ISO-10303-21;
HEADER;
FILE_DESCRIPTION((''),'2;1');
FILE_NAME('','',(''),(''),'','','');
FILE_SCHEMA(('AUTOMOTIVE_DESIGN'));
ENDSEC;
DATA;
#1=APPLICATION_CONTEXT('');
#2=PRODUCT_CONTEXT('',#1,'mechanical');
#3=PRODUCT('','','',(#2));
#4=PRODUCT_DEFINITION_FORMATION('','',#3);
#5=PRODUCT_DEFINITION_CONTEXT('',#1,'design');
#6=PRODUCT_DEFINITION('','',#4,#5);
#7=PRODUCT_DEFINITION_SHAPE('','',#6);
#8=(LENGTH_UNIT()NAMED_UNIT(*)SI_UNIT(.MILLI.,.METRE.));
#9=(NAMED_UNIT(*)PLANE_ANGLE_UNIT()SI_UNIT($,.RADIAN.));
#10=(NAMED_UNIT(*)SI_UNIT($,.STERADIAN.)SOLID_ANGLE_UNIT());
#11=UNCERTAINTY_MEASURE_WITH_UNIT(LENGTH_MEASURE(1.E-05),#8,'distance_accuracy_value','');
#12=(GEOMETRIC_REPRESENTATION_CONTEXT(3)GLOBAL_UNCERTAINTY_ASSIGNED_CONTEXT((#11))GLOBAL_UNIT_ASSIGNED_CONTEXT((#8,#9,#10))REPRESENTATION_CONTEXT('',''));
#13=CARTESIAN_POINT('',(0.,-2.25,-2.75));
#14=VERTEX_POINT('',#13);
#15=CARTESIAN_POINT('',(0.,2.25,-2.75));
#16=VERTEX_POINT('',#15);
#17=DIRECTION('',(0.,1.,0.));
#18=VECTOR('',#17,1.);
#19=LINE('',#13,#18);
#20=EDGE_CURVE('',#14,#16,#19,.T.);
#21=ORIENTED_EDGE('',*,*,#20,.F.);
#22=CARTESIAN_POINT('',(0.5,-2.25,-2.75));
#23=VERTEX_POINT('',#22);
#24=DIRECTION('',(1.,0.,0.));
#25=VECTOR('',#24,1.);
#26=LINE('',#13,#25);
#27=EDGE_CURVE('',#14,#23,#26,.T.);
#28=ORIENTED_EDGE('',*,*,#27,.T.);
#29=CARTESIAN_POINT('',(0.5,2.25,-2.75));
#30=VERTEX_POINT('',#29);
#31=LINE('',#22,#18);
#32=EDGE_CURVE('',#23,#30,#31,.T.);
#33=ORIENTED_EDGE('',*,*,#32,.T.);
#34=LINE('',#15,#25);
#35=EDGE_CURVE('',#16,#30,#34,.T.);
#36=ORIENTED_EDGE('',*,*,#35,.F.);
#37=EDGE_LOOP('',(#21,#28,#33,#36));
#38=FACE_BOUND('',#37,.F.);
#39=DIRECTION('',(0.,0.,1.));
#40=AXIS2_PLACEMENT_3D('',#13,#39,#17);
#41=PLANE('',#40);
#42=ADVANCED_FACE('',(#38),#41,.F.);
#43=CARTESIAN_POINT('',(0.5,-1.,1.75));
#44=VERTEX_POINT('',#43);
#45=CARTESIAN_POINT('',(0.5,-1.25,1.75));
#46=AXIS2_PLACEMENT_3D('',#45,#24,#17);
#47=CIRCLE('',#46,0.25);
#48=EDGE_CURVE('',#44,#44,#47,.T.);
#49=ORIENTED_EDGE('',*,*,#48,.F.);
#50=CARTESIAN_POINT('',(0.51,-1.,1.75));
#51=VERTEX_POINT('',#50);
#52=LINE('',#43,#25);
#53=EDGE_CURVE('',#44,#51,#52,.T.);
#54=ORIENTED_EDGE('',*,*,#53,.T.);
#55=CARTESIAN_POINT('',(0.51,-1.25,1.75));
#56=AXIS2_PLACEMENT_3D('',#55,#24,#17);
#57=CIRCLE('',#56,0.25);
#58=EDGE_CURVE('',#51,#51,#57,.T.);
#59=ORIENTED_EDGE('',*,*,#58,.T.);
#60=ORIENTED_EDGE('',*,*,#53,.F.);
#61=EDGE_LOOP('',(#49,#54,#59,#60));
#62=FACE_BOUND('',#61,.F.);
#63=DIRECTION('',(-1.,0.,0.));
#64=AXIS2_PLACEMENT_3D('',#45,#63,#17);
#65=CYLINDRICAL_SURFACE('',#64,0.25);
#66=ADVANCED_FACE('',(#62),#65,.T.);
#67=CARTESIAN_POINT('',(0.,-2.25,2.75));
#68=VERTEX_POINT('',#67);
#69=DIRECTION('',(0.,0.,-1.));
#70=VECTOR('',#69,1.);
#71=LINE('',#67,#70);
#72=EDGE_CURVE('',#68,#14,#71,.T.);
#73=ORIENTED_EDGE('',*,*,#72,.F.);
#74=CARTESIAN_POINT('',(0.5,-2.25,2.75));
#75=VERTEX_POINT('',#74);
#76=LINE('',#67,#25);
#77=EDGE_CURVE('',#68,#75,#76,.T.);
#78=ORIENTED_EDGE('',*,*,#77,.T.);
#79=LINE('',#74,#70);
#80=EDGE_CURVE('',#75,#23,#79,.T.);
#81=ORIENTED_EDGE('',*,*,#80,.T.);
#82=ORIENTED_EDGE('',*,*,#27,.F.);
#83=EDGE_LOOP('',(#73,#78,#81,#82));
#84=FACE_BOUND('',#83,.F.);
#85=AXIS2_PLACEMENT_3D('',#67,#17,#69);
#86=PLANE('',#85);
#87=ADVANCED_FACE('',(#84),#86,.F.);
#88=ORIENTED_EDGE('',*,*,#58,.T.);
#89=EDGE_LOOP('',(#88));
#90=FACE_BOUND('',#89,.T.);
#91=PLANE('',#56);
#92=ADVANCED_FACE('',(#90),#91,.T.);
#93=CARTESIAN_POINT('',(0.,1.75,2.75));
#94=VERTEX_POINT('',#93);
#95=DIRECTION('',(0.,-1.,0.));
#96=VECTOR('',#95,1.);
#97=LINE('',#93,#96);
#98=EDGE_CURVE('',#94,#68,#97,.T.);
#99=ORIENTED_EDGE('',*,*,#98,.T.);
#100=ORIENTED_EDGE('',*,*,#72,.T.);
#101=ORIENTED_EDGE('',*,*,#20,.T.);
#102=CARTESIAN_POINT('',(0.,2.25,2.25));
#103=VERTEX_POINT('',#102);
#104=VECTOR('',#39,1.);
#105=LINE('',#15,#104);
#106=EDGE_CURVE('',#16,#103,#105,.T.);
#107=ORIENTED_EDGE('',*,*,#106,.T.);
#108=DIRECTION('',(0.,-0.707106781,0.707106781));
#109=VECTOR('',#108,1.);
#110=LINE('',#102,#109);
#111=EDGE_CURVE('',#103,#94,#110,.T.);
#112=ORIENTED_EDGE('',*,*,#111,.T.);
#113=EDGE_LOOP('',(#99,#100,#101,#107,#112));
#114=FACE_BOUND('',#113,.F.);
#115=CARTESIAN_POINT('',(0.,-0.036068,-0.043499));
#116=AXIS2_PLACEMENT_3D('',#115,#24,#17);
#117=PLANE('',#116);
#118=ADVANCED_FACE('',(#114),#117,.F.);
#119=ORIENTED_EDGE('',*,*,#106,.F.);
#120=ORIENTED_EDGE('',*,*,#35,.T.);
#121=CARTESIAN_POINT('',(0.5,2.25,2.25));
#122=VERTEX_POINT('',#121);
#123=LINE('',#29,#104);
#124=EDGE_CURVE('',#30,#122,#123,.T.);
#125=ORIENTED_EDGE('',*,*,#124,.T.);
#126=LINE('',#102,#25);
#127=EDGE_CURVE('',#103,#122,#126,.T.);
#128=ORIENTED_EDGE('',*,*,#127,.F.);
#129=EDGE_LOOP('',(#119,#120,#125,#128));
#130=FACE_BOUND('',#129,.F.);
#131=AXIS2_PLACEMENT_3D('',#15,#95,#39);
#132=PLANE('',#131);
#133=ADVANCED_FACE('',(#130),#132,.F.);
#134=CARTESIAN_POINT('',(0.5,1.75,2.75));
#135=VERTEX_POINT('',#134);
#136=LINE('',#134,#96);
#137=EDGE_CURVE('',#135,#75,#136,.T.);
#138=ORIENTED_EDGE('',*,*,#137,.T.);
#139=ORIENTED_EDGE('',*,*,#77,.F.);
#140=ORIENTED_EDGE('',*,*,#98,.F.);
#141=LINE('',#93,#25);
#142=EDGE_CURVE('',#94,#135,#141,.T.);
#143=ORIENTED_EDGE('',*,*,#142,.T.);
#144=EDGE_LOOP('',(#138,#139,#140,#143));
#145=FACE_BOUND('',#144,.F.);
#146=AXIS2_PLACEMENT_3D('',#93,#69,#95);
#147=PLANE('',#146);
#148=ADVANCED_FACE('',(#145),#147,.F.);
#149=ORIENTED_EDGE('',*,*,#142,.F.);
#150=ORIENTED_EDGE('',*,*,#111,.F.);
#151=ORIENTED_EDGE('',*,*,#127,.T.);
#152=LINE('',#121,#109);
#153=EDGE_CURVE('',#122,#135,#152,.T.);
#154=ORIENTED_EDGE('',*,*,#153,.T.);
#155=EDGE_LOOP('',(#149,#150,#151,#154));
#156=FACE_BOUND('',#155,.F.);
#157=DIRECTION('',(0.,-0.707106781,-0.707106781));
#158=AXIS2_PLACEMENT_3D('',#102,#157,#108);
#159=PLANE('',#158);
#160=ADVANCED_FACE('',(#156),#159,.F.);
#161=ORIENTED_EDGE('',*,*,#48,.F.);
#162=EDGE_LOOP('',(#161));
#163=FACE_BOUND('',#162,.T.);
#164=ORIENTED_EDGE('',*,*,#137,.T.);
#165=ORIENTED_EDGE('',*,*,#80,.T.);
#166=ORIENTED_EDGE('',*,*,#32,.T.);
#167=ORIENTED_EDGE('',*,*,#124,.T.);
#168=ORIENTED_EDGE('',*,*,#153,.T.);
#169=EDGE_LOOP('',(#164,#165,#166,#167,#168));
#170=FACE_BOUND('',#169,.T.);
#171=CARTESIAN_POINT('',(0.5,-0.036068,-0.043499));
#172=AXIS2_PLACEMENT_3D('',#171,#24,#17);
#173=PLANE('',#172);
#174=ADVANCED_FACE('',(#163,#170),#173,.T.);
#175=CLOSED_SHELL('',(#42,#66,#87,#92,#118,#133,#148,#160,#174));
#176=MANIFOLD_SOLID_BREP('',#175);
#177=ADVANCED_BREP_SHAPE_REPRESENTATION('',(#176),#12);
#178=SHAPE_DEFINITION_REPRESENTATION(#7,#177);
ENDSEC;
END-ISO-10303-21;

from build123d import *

# Parameters (mm, degrees)
PAD_DEPTH    = 0.5
SKETCH001_R  = 0.25
PAD001_DEPTH = 0.01


with BuildPart() as part:
    # Sketch (on YZ_Plane of Origin) → Pad (new body)
    with BuildSketch(Plane.YZ):
        Polygon((-2.25, -2.75), (2.25, -2.75), (2.25, 2.25), (1.75, 2.75), (-2.25, 2.75), align=None)
    extrude(amount=PAD_DEPTH)

    # Sketch001 (on Face7 of Pad) → Pad001 (join)
    with BuildSketch(Plane.YZ.offset(0.5)):
        with Locations((-1.25, 1.75)):
            Circle(SKETCH001_R)
    extrude(amount=PAD001_DEPTH)


solid = part.part
